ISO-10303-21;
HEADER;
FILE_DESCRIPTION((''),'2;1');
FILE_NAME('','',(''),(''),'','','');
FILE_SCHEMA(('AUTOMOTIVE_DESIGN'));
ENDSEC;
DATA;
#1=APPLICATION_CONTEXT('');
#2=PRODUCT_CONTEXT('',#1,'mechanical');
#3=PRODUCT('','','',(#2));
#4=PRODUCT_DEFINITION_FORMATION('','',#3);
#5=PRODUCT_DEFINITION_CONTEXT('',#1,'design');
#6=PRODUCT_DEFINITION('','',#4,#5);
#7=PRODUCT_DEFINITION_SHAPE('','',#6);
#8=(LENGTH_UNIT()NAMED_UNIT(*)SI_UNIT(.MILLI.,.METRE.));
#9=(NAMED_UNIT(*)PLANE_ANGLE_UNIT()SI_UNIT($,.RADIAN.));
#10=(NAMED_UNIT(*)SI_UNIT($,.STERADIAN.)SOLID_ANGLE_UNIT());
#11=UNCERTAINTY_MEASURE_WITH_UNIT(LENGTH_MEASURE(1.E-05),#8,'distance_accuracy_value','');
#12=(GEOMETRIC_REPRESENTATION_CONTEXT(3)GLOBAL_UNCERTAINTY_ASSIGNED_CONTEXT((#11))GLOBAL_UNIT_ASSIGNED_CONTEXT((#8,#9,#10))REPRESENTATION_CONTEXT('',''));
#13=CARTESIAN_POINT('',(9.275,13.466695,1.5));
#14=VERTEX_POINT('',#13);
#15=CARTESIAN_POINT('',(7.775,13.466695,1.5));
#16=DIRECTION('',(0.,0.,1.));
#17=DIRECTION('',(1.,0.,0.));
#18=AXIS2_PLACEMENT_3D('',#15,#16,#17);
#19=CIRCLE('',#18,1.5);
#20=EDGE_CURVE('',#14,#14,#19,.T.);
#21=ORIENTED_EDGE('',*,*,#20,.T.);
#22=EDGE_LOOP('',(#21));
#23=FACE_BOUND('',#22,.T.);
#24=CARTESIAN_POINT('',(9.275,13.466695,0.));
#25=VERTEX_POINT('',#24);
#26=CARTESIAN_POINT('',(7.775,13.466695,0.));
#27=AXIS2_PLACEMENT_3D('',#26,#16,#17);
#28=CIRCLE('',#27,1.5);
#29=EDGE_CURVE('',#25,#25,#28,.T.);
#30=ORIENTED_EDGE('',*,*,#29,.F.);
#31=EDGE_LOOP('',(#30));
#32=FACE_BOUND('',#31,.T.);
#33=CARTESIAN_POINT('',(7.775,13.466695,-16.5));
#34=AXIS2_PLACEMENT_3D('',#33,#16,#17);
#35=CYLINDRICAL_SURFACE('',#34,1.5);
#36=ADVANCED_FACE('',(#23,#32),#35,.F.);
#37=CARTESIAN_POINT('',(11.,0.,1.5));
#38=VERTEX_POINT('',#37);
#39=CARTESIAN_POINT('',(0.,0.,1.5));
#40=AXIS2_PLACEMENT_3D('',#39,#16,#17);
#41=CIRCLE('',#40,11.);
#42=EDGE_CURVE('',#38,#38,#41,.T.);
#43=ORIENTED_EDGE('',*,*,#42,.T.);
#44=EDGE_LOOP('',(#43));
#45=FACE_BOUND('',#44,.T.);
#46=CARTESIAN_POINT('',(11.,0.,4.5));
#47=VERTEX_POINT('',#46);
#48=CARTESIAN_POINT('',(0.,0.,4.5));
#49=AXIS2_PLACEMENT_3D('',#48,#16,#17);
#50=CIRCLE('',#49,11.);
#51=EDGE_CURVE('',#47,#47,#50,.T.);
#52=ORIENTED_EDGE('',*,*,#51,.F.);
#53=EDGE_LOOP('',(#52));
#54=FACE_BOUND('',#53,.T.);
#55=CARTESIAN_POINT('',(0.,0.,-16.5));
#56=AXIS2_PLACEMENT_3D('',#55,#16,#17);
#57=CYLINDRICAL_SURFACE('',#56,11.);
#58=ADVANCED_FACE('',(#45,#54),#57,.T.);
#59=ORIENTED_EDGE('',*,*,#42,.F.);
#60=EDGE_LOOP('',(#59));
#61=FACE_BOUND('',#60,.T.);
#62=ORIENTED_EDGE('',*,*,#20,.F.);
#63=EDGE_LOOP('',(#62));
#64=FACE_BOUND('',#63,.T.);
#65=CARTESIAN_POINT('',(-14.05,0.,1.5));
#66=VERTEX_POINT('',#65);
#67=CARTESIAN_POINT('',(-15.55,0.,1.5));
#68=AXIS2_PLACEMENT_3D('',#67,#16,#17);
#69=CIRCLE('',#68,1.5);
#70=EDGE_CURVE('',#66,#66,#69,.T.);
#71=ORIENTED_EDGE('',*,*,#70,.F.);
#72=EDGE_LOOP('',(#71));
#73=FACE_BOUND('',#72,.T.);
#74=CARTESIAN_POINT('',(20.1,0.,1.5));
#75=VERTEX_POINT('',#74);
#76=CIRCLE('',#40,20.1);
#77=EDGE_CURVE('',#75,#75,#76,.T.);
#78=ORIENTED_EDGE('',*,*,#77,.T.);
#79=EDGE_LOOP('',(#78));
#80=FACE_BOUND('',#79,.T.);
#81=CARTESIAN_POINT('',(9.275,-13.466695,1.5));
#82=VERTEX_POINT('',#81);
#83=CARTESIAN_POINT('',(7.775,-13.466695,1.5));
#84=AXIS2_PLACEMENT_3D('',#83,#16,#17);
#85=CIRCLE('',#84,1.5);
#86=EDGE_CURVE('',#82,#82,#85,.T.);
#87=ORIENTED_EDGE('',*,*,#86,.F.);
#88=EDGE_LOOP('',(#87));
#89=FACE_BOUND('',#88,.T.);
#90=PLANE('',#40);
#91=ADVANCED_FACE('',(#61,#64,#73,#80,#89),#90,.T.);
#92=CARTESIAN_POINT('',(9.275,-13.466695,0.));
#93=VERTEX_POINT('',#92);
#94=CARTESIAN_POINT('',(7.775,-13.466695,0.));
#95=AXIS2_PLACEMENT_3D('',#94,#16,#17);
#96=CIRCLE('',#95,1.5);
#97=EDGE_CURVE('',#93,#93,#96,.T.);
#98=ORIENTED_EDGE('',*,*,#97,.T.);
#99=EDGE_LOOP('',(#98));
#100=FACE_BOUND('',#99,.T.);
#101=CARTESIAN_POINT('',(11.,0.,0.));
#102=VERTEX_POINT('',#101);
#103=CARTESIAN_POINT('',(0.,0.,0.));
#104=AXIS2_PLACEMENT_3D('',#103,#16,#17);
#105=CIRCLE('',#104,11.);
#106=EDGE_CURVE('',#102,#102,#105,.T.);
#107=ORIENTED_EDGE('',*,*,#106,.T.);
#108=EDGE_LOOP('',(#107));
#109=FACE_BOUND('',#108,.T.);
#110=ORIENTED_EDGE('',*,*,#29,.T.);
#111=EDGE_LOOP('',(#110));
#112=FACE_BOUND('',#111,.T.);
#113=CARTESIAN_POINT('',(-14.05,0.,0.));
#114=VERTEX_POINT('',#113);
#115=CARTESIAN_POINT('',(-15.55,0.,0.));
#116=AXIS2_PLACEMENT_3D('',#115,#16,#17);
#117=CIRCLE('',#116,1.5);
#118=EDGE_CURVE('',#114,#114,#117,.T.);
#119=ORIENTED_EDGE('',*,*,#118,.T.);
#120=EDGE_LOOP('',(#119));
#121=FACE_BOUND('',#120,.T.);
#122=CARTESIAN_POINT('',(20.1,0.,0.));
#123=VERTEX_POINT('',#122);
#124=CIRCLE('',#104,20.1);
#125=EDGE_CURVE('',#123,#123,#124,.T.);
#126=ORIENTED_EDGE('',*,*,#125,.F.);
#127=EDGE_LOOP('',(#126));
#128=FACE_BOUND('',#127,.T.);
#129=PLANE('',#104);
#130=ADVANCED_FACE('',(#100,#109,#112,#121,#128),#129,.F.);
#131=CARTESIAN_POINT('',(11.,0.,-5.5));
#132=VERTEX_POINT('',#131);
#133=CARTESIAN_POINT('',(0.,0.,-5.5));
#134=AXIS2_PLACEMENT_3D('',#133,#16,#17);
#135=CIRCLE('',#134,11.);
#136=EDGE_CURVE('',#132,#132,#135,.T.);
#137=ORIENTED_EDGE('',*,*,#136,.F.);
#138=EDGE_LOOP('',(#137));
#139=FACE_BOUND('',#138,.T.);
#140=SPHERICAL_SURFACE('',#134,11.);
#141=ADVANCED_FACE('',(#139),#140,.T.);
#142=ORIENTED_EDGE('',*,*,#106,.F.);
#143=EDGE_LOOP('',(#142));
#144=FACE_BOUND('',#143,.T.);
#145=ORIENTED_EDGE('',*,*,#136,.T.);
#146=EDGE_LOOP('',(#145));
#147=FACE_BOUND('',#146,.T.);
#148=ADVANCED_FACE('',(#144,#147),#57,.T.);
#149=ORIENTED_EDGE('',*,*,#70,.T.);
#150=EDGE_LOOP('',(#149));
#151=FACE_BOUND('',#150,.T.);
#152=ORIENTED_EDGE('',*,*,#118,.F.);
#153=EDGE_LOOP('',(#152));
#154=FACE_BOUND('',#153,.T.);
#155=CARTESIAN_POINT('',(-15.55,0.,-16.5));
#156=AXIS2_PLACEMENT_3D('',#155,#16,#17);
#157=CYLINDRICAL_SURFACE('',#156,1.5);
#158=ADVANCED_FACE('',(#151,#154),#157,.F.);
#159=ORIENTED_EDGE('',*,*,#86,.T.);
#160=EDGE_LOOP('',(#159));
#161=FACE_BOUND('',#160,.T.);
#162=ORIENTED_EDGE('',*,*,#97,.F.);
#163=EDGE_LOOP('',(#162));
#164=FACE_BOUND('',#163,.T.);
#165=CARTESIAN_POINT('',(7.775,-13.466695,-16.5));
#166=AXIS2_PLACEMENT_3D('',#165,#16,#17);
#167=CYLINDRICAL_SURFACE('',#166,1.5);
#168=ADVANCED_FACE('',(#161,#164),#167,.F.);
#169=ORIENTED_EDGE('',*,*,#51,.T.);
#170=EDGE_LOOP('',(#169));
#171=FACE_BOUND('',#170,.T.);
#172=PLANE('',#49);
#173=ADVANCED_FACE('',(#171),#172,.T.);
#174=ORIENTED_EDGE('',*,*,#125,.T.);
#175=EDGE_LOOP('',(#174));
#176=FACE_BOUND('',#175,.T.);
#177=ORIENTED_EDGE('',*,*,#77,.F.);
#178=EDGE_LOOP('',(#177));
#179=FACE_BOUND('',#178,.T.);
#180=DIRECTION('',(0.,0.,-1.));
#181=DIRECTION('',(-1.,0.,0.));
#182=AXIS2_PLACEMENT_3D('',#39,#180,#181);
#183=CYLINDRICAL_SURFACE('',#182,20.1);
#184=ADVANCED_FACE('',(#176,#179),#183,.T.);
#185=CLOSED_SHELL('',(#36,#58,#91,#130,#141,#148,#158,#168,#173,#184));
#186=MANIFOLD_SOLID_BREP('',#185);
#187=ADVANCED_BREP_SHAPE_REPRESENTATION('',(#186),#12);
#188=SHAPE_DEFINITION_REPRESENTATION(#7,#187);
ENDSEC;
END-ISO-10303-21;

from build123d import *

# Parameters (mm, degrees)
SKETCH2_R                = 20.1
BOSS_EXTRUDE1_DEPTH      = 1.5
BOSS_EXTRUDE2_DEPTH      = 3
BOSS_EXTRUDE2_DEPTH_BACK = 18
SKETCH3_R                = 11
SKETCH4_R                = 1.5
CUT_EXTRUDE1_DEPTH       = 34.6455049
FILLET2_R                = 11


with BuildPart() as part:
    # Sketch2 → Boss-Extrude1 (new body)
    with BuildSketch(Plane.XY):
        Circle(SKETCH2_R)
    extrude(amount=BOSS_EXTRUDE1_DEPTH)

    # Sketch3 → Boss-Extrude2 (add, two sides: drawn at the far end of the back side and taken through both)
    with BuildSketch(Plane.XY.offset(1.5).offset(-BOSS_EXTRUDE2_DEPTH_BACK)):
        Circle(SKETCH3_R)
    extrude(amount=BOSS_EXTRUDE2_DEPTH + BOSS_EXTRUDE2_DEPTH_BACK)

    # Sketch4 → Cut-Extrude1 (cut, through all)
    with BuildSketch(Plane.XY.offset(1.5)):
        with Locations((-15.55, 0)):
            Circle(SKETCH4_R)
        with Locations((7.775, 13.466695029)):
            Circle(SKETCH4_R)
        with Locations((7.775, -13.466695029)):
            Circle(SKETCH4_R)
    extrude(amount=-CUT_EXTRUDE1_DEPTH, mode=Mode.SUBTRACT)

    # Fillet2
    fillet2_edges = [part.edges().sort_by_distance(p)[0] for p in [
        (-11, 0, -16.5),
    ]]
    fillet(fillet2_edges, radius=FILLET2_R)


solid = part.part
